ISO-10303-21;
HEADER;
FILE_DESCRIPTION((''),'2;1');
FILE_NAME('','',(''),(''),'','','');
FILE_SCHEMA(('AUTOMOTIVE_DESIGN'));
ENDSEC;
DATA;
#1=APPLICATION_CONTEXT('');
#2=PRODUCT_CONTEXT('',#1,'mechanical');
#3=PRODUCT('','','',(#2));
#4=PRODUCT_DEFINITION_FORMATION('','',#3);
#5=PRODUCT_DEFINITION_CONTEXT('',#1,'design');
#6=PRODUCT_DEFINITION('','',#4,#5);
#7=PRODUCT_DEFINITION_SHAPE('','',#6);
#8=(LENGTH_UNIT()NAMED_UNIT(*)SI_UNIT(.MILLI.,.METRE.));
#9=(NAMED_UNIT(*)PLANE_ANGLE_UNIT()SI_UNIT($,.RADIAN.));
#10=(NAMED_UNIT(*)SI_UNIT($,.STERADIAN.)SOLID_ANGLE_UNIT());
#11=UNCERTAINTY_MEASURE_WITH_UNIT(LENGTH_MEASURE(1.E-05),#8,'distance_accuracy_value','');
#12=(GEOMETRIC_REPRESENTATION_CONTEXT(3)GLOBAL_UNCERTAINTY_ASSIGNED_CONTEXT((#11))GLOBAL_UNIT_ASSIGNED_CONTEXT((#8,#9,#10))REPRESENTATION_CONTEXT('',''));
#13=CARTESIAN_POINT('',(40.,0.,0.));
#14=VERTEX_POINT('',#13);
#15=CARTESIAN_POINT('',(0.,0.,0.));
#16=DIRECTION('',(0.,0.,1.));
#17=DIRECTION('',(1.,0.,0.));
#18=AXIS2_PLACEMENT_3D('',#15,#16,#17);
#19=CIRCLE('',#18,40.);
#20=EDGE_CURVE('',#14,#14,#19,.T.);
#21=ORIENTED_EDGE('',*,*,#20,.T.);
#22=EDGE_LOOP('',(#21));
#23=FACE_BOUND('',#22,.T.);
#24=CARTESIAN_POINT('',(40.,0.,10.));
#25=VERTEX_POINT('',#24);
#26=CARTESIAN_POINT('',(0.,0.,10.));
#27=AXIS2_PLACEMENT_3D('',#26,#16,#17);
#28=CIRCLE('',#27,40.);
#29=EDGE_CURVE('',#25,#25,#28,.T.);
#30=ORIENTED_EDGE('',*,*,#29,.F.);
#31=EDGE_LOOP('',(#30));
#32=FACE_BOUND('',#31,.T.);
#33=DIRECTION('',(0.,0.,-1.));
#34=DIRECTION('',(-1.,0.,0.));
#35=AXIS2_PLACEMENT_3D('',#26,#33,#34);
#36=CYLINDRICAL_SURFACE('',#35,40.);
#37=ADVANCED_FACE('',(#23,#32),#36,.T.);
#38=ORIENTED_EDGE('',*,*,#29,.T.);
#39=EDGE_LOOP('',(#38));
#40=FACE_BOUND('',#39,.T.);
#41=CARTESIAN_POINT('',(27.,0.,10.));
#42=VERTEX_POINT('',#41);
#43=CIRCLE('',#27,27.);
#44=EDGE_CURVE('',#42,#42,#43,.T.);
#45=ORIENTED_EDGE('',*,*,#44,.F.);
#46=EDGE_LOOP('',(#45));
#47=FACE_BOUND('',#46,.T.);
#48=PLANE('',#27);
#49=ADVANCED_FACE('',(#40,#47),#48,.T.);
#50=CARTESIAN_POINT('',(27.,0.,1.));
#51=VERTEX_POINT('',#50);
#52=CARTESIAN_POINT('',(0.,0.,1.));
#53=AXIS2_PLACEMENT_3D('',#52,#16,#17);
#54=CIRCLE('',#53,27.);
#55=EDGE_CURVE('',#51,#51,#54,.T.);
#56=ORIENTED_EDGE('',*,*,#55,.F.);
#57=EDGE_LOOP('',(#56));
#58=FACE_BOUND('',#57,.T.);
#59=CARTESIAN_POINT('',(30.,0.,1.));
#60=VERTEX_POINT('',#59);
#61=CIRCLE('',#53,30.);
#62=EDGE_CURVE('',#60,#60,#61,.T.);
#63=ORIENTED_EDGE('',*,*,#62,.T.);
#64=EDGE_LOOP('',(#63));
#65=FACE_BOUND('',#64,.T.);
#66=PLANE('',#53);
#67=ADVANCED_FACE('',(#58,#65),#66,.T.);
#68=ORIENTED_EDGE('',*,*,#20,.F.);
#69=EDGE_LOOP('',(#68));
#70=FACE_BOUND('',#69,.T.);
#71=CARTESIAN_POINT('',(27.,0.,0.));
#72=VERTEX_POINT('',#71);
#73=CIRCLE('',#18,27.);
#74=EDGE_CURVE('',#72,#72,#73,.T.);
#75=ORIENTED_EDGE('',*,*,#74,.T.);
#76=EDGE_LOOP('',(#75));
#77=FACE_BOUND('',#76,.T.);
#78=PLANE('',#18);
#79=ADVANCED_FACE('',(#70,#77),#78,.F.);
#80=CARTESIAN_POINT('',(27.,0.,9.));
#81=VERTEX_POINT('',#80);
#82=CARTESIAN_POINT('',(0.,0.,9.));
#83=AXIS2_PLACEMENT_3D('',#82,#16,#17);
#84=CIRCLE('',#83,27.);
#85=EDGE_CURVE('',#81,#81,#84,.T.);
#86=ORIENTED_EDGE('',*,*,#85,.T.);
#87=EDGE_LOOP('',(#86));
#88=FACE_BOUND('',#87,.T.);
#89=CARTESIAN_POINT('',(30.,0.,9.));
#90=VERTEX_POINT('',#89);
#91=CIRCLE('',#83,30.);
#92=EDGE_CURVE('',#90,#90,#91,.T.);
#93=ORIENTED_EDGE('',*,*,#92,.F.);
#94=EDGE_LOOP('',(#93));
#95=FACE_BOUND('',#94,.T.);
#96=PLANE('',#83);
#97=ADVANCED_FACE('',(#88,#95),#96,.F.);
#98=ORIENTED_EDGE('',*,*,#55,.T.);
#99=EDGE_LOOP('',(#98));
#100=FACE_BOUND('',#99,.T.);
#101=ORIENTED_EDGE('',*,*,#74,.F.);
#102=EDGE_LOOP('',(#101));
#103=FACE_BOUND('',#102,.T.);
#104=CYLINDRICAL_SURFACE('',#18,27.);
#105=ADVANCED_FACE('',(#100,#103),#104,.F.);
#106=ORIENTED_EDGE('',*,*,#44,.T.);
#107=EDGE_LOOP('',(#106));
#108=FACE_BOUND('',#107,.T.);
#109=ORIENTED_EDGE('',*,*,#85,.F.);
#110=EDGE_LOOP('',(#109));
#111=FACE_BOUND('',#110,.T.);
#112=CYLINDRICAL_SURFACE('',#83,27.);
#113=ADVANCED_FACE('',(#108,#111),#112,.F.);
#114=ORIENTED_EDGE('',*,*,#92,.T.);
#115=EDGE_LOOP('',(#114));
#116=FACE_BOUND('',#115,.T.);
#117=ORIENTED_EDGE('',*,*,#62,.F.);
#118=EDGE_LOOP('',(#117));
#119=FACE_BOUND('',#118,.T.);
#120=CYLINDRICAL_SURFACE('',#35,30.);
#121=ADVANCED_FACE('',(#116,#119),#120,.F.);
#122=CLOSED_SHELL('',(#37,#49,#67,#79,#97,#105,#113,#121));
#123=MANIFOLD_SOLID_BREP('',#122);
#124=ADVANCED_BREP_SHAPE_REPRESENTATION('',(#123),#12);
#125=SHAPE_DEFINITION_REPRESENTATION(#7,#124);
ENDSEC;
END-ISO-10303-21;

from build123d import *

# Parameters (mm, degrees)
SKETCH1_R           = 40
SKETCH1_R_2         = 30
BOSS_EXTRUDE1_DEPTH = 10
BOSS_EXTRUDE2_START = -1
SKETCH2_R           = 30
SKETCH2_R_2         = 27
BOSS_EXTRUDE2_DEPTH = 1
LPATTERN1_COUNT     = 2
LPATTERN1_PITCH     = 9


with BuildPart() as part:
    # Sketch1 → Boss-Extrude1 (new body)
    with BuildSketch(Plane.XY):
        Circle(SKETCH1_R)
        Circle(SKETCH1_R_2, mode=Mode.SUBTRACT)
    extrude(amount=BOSS_EXTRUDE1_DEPTH)

    # Sketch2 → Boss-Extrude2 (add)
    with BuildSketch(Plane.XY.offset(10).offset(BOSS_EXTRUDE2_START)):
        Circle(SKETCH2_R)
        Circle(SKETCH2_R_2, mode=Mode.SUBTRACT)
    boss_extrude2 = extrude(amount=BOSS_EXTRUDE2_DEPTH)

    # LPattern1: Boss-Extrude2 ×2
    with Locations(*[(0, 0, -i * LPATTERN1_PITCH) for i in range(1, LPATTERN1_COUNT)]):
        add(boss_extrude2)


solid = part.part
